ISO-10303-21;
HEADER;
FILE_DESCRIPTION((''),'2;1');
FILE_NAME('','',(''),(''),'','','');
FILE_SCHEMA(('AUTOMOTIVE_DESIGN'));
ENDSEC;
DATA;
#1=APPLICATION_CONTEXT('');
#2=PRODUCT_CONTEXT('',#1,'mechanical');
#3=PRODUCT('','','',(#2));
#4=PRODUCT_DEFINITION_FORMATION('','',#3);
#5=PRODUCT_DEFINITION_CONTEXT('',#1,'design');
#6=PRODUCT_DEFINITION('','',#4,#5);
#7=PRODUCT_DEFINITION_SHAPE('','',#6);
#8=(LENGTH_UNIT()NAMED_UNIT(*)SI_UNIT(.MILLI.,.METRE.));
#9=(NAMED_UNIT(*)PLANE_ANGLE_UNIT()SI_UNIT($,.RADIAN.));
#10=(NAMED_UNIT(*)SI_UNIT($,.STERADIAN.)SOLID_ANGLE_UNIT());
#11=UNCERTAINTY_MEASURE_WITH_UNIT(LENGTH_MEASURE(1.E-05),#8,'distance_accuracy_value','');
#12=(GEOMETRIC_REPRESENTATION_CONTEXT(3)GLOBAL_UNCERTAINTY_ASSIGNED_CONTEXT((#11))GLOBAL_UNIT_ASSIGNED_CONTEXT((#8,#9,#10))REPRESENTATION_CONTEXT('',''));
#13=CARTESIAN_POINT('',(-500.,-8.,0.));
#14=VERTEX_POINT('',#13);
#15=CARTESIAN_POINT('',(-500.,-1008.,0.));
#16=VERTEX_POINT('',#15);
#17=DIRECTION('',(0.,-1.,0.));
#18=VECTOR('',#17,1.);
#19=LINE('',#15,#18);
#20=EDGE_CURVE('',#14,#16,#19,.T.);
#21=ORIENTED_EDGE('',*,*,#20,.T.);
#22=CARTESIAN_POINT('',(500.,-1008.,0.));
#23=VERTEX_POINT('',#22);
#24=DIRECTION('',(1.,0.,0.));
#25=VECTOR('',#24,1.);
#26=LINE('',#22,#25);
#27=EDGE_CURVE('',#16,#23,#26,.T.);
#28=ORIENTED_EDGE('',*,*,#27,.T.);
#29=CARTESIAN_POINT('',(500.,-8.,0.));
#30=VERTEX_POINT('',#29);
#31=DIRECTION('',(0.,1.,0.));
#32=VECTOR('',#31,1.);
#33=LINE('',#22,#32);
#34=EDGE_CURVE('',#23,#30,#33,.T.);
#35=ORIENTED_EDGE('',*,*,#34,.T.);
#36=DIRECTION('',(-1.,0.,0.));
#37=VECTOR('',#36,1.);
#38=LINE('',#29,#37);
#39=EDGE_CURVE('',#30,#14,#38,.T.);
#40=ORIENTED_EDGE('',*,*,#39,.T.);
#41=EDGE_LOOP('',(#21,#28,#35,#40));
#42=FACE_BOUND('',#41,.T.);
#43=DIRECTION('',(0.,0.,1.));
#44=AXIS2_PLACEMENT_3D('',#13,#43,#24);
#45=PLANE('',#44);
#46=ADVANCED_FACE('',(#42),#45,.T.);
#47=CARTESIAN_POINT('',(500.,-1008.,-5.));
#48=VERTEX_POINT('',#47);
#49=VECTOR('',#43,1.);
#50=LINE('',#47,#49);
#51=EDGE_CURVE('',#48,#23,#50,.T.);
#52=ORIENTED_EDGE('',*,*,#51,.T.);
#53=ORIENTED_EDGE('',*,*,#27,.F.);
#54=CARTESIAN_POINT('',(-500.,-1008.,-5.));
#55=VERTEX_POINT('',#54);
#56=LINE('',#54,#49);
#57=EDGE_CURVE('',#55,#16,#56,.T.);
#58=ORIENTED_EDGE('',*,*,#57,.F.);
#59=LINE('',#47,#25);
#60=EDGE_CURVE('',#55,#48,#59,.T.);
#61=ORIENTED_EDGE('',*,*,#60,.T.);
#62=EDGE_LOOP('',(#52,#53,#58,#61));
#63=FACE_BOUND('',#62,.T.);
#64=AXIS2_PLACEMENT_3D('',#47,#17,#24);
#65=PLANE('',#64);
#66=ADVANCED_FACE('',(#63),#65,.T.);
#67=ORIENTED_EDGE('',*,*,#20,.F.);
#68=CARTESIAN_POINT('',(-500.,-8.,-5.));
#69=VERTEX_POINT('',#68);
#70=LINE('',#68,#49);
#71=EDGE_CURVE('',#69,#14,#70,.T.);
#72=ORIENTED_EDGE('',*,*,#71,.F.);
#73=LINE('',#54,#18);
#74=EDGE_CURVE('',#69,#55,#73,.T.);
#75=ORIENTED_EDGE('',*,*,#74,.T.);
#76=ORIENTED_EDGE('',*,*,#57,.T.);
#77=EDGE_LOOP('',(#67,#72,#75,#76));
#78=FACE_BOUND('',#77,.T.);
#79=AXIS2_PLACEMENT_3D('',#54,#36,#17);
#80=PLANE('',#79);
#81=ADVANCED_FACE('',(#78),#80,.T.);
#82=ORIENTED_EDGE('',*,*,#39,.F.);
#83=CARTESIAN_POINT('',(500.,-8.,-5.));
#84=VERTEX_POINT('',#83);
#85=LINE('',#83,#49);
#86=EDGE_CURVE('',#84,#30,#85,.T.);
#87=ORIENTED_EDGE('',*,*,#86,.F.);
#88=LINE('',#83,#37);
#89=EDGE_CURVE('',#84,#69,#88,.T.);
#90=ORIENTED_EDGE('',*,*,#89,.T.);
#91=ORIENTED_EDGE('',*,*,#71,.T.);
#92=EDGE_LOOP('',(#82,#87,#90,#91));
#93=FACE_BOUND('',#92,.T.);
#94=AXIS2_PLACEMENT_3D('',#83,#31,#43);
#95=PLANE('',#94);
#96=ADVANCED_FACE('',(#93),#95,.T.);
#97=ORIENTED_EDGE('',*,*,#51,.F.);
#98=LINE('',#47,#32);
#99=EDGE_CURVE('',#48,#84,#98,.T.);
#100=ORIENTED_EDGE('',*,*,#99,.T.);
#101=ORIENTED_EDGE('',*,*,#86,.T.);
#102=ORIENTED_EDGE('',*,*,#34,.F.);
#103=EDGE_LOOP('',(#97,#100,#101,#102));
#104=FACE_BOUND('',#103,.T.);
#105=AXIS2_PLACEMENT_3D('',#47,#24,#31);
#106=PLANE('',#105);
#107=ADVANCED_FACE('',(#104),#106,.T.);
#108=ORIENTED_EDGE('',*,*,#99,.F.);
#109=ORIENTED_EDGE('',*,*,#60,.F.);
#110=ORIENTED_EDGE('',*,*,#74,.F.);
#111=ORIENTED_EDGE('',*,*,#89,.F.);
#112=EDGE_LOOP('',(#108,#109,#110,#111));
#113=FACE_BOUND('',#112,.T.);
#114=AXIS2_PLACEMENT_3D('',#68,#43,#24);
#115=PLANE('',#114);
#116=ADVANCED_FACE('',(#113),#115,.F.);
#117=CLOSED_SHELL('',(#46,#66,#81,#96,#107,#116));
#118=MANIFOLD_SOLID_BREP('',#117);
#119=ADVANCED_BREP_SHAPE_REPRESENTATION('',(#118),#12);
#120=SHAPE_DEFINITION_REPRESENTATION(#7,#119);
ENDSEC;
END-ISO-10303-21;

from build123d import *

# Parameters (mm, degrees)
SKETCH1_W      = 1000
SKETCH1_H      = 1000
EXTRUDE1_DEPTH = 5


with BuildPart() as part:
    # Sketch1 → Extrude1 (new body)
    with BuildSketch(Plane.XY):
        with Locations((0, -508)):
            Rectangle(SKETCH1_W, SKETCH1_H)
    extrude(amount=-EXTRUDE1_DEPTH)


solid = part.part
